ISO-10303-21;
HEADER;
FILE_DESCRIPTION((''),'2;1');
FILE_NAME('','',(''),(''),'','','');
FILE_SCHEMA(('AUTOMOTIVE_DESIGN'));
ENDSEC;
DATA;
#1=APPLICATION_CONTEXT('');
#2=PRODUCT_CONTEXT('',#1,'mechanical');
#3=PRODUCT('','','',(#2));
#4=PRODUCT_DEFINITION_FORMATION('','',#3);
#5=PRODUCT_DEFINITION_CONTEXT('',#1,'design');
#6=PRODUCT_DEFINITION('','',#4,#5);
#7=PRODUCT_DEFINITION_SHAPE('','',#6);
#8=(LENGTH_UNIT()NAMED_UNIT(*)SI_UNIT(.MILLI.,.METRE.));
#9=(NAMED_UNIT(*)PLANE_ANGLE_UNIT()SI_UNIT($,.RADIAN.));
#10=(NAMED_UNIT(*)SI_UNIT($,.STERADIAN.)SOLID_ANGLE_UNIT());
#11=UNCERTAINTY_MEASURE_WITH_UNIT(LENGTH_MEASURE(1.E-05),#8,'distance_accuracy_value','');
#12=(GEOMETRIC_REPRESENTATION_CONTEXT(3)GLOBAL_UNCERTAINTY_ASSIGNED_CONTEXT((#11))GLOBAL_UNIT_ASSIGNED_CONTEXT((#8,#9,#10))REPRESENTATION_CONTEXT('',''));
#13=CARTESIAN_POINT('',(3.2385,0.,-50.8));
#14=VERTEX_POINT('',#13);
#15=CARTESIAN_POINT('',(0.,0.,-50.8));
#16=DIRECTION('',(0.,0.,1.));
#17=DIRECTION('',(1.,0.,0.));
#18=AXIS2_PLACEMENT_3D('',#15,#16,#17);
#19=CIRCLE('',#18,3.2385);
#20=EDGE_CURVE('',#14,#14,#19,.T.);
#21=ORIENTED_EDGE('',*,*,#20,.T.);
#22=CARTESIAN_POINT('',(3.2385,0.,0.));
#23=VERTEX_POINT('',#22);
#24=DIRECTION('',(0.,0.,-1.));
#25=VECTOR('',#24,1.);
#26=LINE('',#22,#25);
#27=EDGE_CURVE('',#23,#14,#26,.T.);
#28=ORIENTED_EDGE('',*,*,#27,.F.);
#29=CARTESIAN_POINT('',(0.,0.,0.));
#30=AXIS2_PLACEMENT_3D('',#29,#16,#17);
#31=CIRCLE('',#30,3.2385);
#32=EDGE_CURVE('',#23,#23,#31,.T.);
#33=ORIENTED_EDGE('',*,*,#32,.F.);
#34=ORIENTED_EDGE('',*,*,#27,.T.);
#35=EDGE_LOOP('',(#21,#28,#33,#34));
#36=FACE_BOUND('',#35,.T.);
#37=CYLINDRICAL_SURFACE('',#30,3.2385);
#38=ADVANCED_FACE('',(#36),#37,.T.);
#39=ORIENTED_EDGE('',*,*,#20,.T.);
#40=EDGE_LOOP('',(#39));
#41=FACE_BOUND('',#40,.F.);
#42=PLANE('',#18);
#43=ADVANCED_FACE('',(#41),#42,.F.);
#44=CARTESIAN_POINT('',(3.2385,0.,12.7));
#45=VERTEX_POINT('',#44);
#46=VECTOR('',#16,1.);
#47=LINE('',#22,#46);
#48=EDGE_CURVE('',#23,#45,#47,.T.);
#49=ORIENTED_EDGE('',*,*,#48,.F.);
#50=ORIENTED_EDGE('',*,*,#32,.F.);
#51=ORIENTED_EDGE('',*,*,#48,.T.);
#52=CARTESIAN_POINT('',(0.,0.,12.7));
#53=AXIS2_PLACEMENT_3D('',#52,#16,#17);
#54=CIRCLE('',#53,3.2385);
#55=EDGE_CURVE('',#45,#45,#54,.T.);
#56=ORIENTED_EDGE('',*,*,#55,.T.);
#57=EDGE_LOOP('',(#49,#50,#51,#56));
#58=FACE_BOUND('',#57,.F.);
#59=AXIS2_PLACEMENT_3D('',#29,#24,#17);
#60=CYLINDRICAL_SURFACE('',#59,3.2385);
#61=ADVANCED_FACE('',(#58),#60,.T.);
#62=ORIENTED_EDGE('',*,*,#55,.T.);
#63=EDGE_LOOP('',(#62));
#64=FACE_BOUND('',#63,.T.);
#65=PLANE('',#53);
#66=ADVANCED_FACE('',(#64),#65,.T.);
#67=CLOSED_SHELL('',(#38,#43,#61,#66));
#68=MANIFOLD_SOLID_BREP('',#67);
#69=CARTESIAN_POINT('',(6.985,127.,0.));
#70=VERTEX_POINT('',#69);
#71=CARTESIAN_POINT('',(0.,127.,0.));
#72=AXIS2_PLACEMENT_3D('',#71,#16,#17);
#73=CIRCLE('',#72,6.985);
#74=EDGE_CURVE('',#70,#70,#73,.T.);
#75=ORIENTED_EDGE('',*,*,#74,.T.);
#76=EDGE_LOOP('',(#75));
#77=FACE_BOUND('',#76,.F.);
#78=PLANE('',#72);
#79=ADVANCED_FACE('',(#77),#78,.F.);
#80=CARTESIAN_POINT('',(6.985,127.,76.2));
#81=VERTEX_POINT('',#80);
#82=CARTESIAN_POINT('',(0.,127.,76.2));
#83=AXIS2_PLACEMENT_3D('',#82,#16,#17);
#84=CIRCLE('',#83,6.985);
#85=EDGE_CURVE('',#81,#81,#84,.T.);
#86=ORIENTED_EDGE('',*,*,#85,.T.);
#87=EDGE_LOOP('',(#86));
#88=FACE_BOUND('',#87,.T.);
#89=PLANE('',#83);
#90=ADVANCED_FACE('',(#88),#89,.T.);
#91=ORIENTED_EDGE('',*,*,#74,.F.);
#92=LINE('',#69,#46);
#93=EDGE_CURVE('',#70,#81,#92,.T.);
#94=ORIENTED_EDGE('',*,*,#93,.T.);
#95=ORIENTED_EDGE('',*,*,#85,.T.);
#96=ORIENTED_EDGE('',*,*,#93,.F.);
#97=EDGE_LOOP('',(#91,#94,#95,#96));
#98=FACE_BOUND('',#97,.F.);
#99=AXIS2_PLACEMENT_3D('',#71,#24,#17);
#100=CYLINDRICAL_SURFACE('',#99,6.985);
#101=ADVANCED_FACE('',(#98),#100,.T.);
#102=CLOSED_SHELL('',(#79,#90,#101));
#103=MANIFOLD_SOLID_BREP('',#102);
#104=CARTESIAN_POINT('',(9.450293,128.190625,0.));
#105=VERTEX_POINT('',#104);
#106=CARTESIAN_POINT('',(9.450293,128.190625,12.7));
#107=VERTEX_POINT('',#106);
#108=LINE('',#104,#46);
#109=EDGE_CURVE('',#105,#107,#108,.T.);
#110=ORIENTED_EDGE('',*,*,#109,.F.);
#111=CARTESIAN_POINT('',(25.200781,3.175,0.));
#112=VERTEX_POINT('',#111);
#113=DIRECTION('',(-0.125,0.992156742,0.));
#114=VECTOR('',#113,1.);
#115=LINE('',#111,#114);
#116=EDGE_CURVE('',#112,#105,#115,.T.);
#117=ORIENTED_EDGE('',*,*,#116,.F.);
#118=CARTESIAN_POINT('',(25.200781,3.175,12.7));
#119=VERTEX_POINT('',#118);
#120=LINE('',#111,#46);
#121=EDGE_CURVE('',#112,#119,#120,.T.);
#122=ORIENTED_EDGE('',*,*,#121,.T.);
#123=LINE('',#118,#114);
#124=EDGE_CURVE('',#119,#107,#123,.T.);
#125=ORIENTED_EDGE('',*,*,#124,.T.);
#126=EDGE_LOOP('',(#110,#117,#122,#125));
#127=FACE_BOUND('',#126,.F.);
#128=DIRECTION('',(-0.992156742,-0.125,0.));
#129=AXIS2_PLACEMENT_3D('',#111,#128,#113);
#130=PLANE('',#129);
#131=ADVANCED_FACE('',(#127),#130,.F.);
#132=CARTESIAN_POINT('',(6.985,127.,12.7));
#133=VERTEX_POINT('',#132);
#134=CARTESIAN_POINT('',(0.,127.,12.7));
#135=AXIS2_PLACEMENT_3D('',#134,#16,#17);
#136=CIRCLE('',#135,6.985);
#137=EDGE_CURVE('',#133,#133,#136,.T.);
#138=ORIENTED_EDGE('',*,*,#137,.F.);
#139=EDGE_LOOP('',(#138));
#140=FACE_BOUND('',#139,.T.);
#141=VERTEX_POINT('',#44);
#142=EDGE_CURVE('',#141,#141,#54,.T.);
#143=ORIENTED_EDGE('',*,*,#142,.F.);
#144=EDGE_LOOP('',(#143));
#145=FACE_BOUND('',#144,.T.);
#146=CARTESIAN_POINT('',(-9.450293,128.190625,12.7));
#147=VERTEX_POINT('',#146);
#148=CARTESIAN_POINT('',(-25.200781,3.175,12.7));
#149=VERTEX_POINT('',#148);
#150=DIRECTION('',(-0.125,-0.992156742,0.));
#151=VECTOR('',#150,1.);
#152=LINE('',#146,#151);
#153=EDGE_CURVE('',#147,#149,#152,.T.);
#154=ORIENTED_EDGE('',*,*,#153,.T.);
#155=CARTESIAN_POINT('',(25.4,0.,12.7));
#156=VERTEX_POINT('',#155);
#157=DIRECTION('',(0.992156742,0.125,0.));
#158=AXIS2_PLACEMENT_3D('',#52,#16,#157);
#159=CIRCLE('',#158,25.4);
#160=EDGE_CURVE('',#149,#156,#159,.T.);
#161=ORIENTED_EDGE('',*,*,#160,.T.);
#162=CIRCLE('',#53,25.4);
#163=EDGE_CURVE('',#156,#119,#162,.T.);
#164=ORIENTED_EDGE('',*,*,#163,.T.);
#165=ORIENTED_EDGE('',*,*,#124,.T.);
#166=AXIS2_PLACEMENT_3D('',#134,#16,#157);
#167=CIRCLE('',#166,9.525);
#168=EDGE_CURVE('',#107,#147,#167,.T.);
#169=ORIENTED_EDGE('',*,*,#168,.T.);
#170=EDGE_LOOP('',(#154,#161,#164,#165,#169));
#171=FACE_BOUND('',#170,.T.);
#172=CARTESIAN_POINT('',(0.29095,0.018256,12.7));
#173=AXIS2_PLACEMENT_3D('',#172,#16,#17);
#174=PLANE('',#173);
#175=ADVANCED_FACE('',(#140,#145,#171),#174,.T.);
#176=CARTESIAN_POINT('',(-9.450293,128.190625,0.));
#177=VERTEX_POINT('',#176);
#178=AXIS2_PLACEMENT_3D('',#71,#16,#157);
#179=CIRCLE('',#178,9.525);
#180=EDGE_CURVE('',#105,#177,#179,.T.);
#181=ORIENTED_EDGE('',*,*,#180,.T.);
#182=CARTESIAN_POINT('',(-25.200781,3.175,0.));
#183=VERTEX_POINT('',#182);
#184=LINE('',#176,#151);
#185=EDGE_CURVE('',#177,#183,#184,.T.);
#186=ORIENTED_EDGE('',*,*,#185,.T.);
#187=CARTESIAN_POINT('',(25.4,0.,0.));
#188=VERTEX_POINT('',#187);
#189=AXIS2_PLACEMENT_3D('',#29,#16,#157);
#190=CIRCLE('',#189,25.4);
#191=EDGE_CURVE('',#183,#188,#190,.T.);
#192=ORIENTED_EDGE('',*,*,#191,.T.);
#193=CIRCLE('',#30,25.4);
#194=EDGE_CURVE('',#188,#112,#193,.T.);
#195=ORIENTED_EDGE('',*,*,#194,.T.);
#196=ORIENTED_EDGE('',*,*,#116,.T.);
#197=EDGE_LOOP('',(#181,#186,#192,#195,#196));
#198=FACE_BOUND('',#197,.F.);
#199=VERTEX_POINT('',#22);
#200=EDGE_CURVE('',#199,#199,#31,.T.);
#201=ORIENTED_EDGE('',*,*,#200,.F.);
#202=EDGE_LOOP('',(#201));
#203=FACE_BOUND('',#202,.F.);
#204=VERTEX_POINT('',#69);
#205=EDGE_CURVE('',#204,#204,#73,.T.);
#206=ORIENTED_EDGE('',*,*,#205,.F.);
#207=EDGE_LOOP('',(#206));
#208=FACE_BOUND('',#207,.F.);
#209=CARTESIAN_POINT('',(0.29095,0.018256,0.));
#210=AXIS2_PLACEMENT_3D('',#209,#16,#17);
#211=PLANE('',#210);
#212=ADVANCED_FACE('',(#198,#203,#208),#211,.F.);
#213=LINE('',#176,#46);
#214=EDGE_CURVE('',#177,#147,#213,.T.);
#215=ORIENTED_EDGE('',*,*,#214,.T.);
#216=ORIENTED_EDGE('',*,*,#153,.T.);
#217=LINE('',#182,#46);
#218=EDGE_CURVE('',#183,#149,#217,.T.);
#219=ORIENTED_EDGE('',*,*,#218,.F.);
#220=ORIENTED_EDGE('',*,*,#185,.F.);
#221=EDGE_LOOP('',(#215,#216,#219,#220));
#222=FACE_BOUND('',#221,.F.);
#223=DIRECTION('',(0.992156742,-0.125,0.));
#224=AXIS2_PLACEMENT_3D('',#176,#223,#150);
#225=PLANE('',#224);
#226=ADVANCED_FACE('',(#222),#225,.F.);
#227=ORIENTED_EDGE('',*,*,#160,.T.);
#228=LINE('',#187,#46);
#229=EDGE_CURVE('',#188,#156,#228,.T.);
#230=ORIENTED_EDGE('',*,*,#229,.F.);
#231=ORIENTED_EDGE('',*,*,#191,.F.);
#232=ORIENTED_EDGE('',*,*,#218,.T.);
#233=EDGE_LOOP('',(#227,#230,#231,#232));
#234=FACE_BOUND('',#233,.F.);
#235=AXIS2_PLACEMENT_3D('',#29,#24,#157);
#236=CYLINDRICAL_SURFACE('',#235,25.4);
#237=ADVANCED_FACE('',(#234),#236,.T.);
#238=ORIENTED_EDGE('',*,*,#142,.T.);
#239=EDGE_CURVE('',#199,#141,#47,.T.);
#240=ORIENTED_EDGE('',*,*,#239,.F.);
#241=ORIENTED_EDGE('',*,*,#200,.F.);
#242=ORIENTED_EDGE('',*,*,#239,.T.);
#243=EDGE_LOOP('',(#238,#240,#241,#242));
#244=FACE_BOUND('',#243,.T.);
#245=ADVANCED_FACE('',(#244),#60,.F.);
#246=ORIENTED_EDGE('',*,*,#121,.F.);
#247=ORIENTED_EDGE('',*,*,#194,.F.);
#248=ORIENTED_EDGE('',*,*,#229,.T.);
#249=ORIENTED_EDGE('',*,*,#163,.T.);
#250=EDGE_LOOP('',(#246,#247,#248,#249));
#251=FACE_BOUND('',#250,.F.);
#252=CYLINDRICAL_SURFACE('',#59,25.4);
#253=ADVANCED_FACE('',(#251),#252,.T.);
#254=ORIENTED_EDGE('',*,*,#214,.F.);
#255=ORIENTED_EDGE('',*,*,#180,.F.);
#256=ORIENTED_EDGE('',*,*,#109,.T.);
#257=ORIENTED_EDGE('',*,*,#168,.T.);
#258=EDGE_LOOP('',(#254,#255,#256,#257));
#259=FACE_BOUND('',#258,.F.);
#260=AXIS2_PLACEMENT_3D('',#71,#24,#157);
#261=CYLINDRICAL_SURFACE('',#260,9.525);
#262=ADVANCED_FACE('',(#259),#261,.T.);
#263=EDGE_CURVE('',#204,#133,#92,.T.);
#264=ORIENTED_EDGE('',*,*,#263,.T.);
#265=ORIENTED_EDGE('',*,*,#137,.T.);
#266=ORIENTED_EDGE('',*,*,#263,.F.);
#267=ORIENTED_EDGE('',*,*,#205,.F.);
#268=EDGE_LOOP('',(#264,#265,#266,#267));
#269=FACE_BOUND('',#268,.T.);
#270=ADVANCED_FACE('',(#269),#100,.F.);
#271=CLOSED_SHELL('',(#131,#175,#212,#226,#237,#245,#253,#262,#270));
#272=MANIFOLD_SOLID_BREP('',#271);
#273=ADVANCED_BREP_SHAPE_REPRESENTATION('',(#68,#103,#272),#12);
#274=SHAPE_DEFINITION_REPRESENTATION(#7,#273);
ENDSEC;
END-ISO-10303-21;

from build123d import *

# Parameters (mm, degrees)
F0_R     = 6.985
F1_DEPTH = 76.2
F0_R_2   = 3.2385
F2_DEPTH = 50.8
F3_DEPTH = 12.7
F4_DEPTH = 12.7


with BuildPart() as f1:
    # F0 (on Top) → F1 (new body)
    with BuildSketch(Plane.XY):
        with Locations((0, 127)):
            Circle(F0_R)
    extrude(amount=F1_DEPTH)


with BuildPart() as f2:
    # F0 (on Top) → F2 (new body)
    with BuildSketch(Plane.XY):
        Circle(F0_R_2)
    extrude(amount=-F2_DEPTH)

    # F3 (add): faces of the model
    f3_faces = [f2.faces().sort_by_distance(p)[0] for p in [
        (0, 0, 0),
        (0, 0, 0),
    ]]
    extrude(f3_faces, amount=F3_DEPTH)


with BuildPart() as f4:
    # F0 (on Top) → F4 (new body)
    with BuildSketch(Plane.XY):
        with BuildLine():
            ThreePointArc((-25.2007812379, 3.175), (-1.5906219786, -25.3501463846), (25.4, 0))
            ThreePointArc((25.4, 0), (25.3501463846, 1.5906219786), (25.2007812379, 3.175))
            ThreePointArc((25.2007812379, 3.175), (0, 25.4), (-25.2007812379, 3.175))
        make_face()
        Circle(F0_R_2, mode=Mode.SUBTRACT)
        with BuildLine():
            ThreePointArc((-25.2007812379, 3.175), (0, 25.4), (25.2007812379, 3.175))
            Line((25.2007812379, 3.175), (9.4502929642, 128.190625))
            ThreePointArc((9.4502929642, 128.190625), (9.5063048942, 127.596483242), (9.525, 127))
            ThreePointArc((9.525, 127), (-0.596483242, 117.4936951058), (-9.4502929642, 128.190625))
            Line((-9.4502929642, 128.190625), (-25.2007812379, 3.175))
        make_face()
        with BuildLine():
            ThreePointArc((9.525, 127), (9.5063048942, 127.596483242), (9.4502929642, 128.190625))
            ThreePointArc((9.4502929642, 128.190625), (0, 136.525), (-9.4502929642, 128.190625))
            ThreePointArc((-9.4502929642, 128.190625), (-0.596483242, 117.4936951058), (9.525, 127))
        make_face()
        with Locations((0, 127)):
            Circle(F0_R, mode=Mode.SUBTRACT)
    extrude(amount=F4_DEPTH)


solid = Compound([f1.part, f2.part, f4.part])
